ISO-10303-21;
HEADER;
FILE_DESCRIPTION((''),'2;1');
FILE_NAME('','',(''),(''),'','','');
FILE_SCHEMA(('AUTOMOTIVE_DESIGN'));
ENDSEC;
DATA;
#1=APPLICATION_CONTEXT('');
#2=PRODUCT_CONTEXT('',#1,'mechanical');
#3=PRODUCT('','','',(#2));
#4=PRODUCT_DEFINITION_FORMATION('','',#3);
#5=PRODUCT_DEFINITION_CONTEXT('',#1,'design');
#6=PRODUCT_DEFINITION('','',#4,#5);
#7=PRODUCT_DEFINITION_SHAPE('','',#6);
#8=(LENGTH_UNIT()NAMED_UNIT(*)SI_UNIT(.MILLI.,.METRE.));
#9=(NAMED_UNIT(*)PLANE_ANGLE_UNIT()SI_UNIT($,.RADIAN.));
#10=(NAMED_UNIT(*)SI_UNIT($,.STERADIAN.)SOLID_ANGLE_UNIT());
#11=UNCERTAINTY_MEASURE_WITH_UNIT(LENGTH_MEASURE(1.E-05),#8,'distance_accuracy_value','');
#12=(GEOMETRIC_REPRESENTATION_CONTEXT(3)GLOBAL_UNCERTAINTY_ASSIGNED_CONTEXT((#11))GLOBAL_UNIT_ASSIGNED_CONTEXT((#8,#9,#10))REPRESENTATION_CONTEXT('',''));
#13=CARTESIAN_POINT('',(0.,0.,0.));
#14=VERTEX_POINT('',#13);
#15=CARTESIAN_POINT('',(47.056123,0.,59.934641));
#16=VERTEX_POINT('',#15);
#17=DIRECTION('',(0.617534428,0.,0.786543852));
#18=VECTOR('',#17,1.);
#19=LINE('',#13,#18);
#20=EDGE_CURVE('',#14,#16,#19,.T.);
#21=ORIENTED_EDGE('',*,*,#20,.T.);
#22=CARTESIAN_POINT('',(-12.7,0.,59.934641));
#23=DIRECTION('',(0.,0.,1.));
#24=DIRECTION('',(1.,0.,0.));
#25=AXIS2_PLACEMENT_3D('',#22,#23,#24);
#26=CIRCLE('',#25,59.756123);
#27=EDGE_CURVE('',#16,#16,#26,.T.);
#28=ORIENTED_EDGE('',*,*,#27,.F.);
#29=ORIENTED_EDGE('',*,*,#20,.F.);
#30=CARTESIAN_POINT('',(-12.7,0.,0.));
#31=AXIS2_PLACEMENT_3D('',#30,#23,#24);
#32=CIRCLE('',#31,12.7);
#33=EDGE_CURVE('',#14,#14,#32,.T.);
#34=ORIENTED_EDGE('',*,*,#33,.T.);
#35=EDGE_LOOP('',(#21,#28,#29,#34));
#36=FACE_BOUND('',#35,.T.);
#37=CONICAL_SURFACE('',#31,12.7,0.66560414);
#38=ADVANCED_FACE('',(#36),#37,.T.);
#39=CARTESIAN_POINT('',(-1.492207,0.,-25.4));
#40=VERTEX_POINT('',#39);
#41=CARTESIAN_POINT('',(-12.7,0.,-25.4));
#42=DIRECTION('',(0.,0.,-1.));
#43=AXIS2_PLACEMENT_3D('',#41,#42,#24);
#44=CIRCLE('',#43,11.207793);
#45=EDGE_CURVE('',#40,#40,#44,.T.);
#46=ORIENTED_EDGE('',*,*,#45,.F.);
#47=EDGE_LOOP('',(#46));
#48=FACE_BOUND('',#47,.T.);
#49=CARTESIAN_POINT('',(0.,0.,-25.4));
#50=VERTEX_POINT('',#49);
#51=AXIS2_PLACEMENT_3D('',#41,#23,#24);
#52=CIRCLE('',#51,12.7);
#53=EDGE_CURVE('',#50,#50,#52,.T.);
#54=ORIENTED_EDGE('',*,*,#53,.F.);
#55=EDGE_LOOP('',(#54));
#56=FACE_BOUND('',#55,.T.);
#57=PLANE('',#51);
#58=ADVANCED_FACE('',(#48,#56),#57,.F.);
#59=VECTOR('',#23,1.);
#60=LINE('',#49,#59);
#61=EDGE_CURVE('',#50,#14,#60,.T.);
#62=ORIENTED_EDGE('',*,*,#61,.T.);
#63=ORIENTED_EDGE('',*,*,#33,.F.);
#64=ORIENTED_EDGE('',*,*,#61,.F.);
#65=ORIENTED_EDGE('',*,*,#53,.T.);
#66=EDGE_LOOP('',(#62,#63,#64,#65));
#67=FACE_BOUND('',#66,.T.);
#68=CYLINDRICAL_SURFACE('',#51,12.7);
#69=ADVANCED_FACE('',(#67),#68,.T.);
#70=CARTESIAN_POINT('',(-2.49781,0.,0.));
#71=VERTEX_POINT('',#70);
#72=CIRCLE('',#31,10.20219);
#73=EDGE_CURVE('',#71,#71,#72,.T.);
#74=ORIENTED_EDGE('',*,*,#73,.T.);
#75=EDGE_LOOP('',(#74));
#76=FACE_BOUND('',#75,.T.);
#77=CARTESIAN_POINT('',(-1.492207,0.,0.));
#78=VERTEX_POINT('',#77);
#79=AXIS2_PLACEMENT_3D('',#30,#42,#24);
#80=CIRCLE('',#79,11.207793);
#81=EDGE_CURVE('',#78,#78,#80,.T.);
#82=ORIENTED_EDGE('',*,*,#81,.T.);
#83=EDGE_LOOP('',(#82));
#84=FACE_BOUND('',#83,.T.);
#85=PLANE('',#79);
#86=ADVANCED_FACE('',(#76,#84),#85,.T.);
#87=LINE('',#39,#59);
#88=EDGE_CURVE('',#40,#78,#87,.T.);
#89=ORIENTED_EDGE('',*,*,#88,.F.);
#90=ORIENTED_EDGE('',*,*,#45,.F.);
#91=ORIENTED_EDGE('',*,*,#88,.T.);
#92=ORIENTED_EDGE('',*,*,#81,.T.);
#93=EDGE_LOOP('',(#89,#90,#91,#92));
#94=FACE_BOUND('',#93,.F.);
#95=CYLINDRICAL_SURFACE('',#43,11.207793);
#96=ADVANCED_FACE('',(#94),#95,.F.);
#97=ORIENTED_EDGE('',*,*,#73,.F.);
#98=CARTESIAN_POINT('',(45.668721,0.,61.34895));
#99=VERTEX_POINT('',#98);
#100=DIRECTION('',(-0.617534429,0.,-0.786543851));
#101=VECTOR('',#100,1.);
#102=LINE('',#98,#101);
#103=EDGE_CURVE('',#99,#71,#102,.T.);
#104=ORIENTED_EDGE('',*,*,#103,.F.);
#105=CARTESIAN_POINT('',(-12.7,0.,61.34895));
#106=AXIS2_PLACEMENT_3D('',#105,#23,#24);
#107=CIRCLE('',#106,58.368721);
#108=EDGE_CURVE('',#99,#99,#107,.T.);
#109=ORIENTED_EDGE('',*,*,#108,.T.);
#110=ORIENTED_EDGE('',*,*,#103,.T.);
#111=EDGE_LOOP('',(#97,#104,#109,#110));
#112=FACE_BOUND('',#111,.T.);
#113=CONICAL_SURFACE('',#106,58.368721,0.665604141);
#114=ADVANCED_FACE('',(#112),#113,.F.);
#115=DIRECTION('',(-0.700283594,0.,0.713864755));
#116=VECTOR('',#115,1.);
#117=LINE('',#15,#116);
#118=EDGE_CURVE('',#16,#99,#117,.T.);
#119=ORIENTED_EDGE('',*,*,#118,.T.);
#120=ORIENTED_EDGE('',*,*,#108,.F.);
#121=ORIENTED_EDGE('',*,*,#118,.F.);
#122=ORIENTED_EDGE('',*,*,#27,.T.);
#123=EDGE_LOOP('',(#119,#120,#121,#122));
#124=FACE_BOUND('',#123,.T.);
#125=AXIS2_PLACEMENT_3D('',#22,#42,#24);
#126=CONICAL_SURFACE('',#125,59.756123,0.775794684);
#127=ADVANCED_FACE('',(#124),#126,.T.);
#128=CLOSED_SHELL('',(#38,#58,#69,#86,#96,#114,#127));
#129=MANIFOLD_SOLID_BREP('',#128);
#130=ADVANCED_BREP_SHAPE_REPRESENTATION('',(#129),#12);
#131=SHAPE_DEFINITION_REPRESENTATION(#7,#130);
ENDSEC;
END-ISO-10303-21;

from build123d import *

# Parameters (mm, degrees)
F2_R     = 11.207793
F3_DEPTH = 25.4


with BuildPart() as f1:
    # F0 (on Front) → F1 (revolve)
    with BuildSketch(Plane.XZ):
        Polygon((0, -25.4), (0, 0), (47.056123, 59.934641), (45.668721, 61.34895), (-2.49781, 0), (-12.7, 0), (-12.7, -25.4), align=None)
    revolve(axis=Axis((-12.7, 0, -12.7), (0, 0, 1)))

    # F2 (on face) → F3 (cut)
    with BuildSketch(Plane(origin=(0, 0, -25.4), x_dir=(1, 0, 0), z_dir=(0, 0, -1))):
        with Locations((-12.7, 0)):
            Circle(F2_R)
    extrude(amount=-F3_DEPTH, mode=Mode.SUBTRACT)


solid = f1.part
